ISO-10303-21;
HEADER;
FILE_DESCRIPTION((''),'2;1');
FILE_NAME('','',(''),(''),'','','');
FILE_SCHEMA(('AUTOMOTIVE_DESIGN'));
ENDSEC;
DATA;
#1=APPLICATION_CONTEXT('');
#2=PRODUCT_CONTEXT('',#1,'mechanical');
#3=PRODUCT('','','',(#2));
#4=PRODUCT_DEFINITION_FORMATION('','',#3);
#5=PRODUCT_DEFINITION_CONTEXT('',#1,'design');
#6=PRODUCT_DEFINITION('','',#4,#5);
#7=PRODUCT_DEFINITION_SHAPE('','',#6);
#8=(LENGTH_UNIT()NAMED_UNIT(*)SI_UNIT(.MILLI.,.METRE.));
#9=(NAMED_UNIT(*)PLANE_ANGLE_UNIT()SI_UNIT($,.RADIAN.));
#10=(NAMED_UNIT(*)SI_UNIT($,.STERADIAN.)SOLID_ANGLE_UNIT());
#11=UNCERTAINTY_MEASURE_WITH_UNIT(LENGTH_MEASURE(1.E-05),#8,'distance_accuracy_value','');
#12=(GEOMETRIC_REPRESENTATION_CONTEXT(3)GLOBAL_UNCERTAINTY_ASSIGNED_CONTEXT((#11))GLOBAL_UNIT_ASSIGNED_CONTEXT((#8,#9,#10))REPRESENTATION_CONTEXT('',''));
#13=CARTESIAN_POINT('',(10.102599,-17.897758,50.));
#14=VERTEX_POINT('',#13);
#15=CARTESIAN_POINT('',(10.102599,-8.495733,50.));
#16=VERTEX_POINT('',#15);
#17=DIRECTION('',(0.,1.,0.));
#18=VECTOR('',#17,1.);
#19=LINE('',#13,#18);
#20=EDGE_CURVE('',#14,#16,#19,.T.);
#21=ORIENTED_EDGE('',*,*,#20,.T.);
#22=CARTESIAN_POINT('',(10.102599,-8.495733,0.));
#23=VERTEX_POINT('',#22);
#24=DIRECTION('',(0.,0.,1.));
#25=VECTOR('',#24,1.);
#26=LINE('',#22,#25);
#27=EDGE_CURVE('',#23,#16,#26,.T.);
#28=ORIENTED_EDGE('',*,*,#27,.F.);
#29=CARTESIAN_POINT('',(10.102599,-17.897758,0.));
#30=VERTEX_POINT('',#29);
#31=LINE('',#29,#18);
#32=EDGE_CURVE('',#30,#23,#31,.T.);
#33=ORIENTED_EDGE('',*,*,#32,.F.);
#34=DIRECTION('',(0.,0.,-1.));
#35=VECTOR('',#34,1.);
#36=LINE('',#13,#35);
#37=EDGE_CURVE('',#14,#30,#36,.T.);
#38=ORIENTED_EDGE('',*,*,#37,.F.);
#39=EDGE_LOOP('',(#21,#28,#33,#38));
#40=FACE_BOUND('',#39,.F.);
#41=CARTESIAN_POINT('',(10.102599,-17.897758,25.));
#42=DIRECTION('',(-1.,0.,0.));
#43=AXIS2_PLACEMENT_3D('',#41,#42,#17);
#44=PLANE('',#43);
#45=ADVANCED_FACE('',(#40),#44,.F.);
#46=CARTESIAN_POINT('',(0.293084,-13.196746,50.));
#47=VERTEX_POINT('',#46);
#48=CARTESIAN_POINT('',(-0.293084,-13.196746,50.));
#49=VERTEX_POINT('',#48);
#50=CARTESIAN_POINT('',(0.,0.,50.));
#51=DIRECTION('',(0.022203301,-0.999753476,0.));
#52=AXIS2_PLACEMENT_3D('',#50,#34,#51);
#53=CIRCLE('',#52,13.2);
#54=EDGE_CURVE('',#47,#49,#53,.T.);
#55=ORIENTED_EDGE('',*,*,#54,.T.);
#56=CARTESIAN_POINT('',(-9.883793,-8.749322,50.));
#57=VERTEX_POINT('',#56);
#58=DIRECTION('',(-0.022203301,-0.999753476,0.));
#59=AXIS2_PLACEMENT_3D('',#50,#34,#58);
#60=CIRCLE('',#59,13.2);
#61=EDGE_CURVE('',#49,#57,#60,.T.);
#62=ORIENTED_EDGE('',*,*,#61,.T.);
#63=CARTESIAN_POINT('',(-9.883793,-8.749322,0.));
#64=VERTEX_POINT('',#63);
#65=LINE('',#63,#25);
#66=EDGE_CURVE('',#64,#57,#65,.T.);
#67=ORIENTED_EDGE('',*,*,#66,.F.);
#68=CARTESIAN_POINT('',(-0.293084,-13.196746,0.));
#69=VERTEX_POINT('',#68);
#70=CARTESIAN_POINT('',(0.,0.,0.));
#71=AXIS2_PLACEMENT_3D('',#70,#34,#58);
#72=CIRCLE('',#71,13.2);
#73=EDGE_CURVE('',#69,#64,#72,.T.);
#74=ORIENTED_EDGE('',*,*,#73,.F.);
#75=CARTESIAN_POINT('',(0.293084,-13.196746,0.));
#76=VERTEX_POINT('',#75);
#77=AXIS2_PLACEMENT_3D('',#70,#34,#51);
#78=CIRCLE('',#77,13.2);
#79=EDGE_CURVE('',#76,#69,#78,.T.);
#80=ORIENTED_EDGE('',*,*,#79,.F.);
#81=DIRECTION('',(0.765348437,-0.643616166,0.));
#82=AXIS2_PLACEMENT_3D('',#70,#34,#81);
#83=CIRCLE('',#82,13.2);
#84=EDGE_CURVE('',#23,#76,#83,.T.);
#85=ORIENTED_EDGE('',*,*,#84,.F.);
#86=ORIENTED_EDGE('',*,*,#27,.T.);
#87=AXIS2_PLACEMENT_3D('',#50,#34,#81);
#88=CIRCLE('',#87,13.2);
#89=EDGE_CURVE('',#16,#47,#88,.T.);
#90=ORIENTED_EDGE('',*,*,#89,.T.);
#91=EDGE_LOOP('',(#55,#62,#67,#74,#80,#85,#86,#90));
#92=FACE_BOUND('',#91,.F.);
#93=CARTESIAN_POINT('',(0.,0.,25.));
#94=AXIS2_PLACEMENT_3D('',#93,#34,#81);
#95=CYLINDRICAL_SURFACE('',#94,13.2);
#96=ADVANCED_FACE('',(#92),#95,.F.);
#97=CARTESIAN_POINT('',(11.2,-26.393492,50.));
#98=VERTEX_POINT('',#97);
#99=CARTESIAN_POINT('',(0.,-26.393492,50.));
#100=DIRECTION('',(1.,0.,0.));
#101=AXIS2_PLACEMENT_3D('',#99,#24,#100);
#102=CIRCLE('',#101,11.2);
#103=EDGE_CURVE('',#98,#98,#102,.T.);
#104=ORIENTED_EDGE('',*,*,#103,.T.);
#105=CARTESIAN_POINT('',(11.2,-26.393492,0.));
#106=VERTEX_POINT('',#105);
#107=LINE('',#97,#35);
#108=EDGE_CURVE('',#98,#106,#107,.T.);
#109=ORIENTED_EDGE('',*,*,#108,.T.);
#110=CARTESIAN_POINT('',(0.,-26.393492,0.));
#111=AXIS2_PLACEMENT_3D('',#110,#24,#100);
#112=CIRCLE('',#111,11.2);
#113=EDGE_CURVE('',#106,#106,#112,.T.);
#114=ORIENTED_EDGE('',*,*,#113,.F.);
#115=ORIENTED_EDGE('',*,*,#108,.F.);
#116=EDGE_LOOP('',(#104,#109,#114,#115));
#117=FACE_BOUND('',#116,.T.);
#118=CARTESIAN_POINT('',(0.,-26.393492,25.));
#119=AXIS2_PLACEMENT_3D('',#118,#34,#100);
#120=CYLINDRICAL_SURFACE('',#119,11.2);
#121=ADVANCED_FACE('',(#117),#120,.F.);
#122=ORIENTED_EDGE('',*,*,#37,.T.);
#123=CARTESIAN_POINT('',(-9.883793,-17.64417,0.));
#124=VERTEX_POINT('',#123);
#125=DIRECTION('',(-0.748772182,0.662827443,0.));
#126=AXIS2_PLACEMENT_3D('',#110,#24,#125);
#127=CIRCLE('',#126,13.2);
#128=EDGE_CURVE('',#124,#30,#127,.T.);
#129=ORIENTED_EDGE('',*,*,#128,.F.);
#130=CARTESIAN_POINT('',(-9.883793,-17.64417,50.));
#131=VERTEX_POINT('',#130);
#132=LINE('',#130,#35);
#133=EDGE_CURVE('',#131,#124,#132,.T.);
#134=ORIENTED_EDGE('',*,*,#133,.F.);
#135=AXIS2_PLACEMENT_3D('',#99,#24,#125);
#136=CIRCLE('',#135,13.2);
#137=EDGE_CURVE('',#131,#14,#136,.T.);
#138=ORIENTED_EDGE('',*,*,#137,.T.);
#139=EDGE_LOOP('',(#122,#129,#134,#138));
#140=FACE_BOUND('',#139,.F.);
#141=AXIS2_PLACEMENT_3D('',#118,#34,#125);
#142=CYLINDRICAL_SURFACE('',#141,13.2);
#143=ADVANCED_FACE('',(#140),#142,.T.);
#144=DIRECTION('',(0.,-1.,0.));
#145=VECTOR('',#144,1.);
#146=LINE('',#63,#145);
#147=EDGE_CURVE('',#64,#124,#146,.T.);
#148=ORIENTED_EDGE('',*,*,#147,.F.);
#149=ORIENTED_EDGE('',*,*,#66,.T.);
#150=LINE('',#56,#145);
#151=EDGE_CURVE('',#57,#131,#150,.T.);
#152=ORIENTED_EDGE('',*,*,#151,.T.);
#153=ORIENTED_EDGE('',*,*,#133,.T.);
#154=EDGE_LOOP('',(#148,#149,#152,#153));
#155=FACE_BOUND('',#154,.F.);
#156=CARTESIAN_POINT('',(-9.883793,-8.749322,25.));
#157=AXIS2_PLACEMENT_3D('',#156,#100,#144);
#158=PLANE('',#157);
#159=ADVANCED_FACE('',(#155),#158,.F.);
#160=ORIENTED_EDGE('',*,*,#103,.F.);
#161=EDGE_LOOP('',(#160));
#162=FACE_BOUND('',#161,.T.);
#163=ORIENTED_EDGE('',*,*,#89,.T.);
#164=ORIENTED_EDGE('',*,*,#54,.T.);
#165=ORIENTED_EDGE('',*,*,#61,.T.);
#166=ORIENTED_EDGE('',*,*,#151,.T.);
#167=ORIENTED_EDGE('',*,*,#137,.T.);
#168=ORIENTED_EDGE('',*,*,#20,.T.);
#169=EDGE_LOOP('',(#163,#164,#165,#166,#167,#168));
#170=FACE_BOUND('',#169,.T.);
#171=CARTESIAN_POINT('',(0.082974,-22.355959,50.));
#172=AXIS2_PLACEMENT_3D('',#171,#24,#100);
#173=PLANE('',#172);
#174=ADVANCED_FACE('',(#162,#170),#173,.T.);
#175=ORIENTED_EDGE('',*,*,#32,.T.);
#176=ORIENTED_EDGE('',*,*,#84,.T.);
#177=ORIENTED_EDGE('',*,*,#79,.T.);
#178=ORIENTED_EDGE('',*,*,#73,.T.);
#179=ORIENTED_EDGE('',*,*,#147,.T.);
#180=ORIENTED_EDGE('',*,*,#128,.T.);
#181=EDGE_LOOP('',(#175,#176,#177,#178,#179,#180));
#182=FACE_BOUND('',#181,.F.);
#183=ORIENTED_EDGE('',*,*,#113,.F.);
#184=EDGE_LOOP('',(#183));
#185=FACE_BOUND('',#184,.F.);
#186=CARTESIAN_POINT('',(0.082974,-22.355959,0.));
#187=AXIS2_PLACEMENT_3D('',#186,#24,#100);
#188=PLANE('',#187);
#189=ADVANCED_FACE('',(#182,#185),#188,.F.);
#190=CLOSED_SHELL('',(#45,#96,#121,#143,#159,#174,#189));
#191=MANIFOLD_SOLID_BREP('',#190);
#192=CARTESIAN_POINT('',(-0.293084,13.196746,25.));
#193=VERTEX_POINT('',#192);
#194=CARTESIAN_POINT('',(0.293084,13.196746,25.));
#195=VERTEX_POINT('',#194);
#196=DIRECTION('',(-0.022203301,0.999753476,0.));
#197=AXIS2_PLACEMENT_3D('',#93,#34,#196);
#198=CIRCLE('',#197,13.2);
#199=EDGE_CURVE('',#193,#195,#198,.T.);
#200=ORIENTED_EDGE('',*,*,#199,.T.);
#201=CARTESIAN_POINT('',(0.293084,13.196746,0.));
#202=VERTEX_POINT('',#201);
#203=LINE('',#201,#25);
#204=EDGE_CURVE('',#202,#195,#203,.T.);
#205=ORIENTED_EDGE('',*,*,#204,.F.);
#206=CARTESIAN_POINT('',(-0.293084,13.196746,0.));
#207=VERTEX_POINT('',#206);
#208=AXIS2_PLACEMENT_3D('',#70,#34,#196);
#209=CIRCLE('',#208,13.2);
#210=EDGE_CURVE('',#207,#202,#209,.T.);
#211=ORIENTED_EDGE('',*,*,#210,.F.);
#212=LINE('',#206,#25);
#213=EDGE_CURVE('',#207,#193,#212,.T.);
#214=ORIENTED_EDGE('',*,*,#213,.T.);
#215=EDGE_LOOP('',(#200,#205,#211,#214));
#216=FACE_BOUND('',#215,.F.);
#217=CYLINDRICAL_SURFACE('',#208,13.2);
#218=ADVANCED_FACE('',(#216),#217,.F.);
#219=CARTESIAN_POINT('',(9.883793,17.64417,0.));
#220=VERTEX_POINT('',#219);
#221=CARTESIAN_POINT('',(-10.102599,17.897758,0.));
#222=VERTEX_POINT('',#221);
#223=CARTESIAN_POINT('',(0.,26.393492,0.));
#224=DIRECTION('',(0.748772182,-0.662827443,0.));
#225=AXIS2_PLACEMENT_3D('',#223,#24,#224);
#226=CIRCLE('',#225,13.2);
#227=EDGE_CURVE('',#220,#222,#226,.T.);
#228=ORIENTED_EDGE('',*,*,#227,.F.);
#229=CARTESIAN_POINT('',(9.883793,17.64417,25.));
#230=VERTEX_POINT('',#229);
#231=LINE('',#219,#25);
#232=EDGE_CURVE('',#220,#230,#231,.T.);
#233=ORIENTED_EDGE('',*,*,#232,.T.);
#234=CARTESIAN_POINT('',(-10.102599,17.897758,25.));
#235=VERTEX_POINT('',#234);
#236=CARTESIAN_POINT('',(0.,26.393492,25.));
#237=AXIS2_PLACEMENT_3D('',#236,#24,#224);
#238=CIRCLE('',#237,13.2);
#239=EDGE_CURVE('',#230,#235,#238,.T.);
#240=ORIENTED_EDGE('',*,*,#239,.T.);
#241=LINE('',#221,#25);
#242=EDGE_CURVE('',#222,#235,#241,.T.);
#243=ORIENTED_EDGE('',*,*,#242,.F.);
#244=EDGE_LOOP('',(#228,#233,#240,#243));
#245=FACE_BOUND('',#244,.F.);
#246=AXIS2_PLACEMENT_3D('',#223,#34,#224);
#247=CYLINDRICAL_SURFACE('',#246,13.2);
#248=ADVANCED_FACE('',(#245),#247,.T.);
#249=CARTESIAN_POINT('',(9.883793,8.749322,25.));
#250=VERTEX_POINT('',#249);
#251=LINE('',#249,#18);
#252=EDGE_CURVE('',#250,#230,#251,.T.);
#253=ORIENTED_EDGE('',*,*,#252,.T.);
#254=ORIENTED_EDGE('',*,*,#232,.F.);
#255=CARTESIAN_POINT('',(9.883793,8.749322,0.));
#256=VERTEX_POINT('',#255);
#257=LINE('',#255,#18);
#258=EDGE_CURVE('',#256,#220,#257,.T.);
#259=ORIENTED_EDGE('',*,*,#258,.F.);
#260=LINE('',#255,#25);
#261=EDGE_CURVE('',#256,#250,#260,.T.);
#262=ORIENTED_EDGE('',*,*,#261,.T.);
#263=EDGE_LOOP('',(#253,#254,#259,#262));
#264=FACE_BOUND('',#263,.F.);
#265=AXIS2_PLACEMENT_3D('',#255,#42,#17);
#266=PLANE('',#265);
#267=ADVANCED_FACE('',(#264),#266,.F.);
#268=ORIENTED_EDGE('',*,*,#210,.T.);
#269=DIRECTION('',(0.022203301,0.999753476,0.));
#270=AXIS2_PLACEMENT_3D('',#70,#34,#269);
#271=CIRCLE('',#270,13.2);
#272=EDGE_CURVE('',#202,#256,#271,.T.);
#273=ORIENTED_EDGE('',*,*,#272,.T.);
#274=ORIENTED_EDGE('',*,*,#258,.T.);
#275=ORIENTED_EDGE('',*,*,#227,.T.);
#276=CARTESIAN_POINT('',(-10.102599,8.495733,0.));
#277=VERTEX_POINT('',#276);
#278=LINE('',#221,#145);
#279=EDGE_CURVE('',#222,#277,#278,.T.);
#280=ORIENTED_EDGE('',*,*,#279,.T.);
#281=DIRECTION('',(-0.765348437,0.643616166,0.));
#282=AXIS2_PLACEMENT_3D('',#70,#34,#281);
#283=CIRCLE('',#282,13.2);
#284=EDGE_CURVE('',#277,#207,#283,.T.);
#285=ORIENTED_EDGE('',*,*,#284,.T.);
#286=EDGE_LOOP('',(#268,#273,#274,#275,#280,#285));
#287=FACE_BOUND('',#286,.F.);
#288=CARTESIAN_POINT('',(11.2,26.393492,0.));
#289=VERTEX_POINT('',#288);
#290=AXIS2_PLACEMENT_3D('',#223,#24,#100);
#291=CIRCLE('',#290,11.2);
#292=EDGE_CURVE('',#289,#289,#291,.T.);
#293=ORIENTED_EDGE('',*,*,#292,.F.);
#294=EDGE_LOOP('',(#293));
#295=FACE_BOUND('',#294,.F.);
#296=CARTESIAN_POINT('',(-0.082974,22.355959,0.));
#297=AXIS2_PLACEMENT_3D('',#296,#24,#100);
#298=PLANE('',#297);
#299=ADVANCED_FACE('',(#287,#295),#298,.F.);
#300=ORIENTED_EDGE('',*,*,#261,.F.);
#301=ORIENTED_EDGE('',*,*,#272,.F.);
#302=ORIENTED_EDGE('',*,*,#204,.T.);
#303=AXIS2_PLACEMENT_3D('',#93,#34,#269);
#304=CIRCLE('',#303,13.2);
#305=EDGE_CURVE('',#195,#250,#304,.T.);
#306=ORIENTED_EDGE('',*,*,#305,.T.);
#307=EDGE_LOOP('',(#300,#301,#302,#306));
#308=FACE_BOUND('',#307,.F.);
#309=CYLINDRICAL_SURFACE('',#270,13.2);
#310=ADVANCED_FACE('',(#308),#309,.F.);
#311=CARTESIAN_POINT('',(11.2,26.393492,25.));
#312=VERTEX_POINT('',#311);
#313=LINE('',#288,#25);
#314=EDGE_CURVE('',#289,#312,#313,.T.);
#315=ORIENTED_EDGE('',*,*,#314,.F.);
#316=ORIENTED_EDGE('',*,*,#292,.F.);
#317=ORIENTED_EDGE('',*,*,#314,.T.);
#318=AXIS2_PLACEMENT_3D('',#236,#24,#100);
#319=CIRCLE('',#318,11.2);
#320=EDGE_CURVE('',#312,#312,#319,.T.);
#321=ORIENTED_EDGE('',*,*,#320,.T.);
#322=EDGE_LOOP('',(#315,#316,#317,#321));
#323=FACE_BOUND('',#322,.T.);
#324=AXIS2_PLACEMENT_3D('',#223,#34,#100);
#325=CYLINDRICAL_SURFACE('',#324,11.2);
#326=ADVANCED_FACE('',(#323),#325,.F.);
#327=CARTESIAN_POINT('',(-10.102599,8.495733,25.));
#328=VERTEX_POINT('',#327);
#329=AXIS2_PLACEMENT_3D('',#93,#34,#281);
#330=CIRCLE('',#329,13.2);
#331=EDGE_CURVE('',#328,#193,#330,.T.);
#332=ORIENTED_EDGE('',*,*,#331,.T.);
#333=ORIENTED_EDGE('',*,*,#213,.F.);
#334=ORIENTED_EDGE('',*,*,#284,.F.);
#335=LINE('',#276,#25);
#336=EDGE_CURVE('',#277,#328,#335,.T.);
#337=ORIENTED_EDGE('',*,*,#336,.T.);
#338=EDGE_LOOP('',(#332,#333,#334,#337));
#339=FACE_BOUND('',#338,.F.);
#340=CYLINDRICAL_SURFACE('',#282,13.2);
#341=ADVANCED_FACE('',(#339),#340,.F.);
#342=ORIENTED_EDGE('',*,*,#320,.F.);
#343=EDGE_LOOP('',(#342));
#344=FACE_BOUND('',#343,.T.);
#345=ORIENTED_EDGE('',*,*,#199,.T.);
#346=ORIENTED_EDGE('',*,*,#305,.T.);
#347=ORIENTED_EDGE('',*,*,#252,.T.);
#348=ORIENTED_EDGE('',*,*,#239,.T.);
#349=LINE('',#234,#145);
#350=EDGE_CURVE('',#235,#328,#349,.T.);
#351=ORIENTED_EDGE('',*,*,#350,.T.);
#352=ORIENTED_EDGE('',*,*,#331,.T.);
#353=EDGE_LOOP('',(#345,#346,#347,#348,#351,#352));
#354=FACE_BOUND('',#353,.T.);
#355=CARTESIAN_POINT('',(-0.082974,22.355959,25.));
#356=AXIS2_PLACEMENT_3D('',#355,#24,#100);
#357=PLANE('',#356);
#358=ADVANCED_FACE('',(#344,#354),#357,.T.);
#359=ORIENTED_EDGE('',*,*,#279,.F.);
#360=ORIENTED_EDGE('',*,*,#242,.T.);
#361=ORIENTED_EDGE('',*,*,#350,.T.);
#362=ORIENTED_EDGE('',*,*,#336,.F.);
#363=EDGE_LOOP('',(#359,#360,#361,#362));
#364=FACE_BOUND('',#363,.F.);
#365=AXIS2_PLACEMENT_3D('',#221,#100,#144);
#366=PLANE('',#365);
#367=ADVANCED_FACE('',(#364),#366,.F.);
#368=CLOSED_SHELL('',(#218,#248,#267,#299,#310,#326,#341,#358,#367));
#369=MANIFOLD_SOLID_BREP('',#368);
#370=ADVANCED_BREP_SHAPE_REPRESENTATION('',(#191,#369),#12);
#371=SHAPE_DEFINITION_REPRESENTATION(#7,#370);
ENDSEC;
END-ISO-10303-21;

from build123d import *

# Parameters (mm, degrees)
F0_R     = 11.2
F1_DEPTH = 25
F2_DEPTH = 25


with BuildPart() as f1:
    # F0 (on Top) → F1 (new body)
    with BuildSketch(Plane.XY):
        with BuildLine():
            Line((10.1025993742, -17.8977583819), (10.1025993742, -8.4957333929))
            ThreePointArc((10.1025993742, -8.4957333929), (5.7045977621, -11.9036786068), (0.2930835775, -13.1967458874))
            ThreePointArc((0.2930835775, -13.1967458874), (0, -13.2), (-0.2930835775, -13.1967458874))
            ThreePointArc((-0.2930835775, -13.1967458874), (-5.553116016, -11.9750950941), (-9.8837928053, -8.749322247))
            Line((-9.8837928053, -8.749322247), (-9.8837928053, -17.6441695278))
            ThreePointArc((-9.8837928053, -17.6441695278), (-0.1674691177, -39.5924293871), (10.1025993742, -17.8977583819))
        make_face()
        with Locations((0, -26.3934917748)):
            Circle(F0_R, mode=Mode.SUBTRACT)
    extrude(amount=F1_DEPTH)

    # F2 (add): a face of the model
    f2_faces = [f1.faces().sort_by_distance(p)[0] for p in [
        (9.6946740654, -13.1967458874, 25),
    ]]
    extrude(f2_faces, amount=F2_DEPTH)


with BuildPart() as f1b:
    # F0 (on Top) → F1, piece 2 (new body)
    with BuildSketch(Plane.XY):
        with BuildLine():
            ThreePointArc((0.2930835775, 13.1967458874), (5.553116016, 11.9750950941), (9.8837928053, 8.749322247))
            Line((9.8837928053, 8.749322247), (9.8837928053, 17.6441695278))
            ThreePointArc((9.8837928053, 17.6441695278), (0.1674691177, 39.5924293871), (-10.1025993742, 17.8977583819))
            Line((-10.1025993742, 17.8977583819), (-10.1025993742, 8.4957333929))
            ThreePointArc((-10.1025993742, 8.4957333929), (-5.7045977621, 11.9036786068), (-0.2930835775, 13.1967458874))
            ThreePointArc((-0.2930835775, 13.1967458874), (0, 13.2), (0.2930835775, 13.1967458874))
        make_face()
        with Locations((0, 26.3934917748)):
            Circle(F0_R, mode=Mode.SUBTRACT)
    extrude(amount=F1_DEPTH)


solid = Compound([f1.part, f1b.part])
